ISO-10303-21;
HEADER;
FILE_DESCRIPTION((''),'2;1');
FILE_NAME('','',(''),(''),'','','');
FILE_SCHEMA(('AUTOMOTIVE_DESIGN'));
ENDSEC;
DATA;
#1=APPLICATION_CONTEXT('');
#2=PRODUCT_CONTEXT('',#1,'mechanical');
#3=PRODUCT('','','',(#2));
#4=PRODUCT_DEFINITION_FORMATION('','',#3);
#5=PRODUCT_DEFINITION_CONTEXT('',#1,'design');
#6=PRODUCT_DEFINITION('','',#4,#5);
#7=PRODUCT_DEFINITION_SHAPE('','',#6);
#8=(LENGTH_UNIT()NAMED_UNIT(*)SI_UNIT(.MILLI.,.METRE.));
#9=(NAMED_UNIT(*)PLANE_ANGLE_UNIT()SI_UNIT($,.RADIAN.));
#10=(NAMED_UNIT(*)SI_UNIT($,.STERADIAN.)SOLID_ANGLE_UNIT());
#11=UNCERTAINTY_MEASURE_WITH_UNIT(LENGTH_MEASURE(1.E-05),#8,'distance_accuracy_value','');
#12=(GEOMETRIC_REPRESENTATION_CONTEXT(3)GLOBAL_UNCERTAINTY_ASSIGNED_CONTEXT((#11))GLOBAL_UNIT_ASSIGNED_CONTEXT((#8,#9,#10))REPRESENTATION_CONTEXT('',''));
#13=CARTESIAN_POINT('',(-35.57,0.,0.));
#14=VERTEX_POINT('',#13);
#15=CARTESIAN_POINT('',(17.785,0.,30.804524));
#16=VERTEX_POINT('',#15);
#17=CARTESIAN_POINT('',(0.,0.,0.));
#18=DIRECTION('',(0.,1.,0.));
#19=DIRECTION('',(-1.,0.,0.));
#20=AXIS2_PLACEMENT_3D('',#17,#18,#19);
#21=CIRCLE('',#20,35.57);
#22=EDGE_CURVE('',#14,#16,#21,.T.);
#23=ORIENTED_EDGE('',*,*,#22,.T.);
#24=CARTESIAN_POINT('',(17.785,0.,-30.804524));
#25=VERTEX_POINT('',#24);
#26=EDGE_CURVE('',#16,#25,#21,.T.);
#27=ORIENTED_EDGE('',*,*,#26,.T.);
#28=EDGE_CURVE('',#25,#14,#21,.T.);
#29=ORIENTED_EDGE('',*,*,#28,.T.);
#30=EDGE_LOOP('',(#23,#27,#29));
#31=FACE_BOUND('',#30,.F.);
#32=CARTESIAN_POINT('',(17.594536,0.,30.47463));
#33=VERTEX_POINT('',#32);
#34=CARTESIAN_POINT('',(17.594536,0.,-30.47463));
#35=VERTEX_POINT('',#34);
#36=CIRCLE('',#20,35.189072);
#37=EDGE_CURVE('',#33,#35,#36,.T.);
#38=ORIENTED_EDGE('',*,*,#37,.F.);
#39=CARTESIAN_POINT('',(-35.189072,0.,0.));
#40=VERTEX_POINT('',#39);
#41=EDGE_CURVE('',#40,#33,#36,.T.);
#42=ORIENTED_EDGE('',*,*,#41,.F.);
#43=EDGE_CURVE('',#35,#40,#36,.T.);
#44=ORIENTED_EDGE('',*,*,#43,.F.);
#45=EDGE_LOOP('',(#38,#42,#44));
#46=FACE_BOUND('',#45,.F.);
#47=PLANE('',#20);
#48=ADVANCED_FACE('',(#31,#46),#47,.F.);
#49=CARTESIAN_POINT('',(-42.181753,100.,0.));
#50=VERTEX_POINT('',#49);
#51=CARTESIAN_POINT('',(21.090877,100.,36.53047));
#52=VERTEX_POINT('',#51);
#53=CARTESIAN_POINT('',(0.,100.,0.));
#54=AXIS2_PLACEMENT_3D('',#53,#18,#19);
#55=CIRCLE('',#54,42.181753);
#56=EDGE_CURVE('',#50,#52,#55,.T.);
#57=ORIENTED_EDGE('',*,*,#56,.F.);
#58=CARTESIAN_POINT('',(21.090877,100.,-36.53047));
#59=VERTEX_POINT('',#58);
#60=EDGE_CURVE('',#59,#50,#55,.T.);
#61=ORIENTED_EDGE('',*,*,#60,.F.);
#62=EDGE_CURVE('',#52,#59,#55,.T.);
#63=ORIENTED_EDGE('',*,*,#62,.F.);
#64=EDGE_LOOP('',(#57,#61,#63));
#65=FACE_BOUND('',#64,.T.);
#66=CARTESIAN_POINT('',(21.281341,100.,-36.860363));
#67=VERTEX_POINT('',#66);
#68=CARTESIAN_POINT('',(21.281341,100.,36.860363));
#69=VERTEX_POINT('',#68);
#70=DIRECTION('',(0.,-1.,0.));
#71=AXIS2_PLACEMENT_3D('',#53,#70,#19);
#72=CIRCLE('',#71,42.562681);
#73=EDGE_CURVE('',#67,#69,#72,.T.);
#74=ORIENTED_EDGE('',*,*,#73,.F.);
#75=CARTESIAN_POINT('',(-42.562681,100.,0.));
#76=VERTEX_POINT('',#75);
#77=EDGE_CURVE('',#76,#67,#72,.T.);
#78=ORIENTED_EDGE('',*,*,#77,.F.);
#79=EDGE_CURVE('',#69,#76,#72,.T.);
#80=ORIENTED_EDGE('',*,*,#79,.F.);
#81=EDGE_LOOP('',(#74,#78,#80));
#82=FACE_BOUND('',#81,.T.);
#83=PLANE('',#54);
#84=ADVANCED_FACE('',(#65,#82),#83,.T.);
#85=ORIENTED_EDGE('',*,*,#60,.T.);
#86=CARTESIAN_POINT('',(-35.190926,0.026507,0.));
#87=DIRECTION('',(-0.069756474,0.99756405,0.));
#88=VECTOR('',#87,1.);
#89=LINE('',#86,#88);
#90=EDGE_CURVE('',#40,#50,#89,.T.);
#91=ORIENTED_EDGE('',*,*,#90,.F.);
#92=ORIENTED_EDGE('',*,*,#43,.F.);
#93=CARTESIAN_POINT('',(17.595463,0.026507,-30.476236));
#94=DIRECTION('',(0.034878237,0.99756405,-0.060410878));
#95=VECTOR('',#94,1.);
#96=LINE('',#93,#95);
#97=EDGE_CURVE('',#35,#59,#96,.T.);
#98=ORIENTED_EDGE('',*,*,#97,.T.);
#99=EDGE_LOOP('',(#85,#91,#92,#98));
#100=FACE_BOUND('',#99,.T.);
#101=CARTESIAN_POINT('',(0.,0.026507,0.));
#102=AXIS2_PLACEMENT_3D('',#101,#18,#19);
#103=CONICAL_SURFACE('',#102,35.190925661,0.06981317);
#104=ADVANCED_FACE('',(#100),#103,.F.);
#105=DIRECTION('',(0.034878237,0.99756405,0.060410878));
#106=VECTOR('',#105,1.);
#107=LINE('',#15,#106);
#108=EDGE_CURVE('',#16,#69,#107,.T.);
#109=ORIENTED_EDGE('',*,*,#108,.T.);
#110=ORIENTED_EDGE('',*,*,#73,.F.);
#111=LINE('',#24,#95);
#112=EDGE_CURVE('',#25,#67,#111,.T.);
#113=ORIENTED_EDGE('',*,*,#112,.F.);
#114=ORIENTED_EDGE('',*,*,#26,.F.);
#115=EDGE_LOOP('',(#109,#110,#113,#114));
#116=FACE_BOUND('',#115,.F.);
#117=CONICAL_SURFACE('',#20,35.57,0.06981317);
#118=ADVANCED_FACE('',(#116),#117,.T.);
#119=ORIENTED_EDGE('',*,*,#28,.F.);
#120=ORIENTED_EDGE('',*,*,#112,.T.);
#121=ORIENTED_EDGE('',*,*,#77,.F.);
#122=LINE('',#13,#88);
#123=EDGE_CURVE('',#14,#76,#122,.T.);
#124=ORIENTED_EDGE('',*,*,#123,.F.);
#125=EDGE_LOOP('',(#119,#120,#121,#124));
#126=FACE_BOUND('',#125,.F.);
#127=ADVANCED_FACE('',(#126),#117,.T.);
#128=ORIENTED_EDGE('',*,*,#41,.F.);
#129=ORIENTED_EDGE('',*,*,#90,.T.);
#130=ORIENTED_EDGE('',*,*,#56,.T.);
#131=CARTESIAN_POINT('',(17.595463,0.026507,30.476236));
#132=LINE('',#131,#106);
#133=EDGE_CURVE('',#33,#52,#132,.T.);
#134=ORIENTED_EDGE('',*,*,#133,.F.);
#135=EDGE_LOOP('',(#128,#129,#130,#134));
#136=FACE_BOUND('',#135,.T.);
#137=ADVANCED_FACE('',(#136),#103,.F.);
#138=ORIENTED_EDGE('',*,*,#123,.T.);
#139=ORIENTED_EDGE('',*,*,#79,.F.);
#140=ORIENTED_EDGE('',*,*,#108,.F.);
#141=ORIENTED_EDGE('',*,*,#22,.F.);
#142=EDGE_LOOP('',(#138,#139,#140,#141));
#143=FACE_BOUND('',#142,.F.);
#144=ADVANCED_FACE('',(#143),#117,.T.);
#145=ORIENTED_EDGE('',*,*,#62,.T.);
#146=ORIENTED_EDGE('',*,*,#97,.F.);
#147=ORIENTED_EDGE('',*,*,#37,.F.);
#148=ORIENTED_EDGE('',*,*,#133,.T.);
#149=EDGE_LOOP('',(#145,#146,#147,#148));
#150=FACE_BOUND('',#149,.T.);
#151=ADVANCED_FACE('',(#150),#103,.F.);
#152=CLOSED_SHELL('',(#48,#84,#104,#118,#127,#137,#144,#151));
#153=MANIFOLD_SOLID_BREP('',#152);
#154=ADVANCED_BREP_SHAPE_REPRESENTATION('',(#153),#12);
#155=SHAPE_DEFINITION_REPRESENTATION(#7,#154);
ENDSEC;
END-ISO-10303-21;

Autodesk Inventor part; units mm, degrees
ref_plane "YZ Plane" through (0, 0, 0) normal (1, 0, 0) x (0, 1, 0)
ref_plane "XZ Plane" through (0, 0, 0) normal (0, 1, 0) x (-1, 0, 0)
ref_plane "XY Plane" through (0, 0, 0) normal (0, 0, 1) x (1, 0, 0)
sketch "Sketch1" plane through (0, 0, 0) normal (0, 1, 0) x (-1, 0, 0)
  circle A0 centre (0, 0) radius 35.57
  dimension "d0" = 71.14
extrude "Extrusion1" add sketch "Sketch1" along normal blind 100 draft 4
shell "Shell1" thickness 0.38 removed faces 2 at (4.7764, 0, -9.5105) at (-1.793, 100, -11.1601)
properties part number "B"
